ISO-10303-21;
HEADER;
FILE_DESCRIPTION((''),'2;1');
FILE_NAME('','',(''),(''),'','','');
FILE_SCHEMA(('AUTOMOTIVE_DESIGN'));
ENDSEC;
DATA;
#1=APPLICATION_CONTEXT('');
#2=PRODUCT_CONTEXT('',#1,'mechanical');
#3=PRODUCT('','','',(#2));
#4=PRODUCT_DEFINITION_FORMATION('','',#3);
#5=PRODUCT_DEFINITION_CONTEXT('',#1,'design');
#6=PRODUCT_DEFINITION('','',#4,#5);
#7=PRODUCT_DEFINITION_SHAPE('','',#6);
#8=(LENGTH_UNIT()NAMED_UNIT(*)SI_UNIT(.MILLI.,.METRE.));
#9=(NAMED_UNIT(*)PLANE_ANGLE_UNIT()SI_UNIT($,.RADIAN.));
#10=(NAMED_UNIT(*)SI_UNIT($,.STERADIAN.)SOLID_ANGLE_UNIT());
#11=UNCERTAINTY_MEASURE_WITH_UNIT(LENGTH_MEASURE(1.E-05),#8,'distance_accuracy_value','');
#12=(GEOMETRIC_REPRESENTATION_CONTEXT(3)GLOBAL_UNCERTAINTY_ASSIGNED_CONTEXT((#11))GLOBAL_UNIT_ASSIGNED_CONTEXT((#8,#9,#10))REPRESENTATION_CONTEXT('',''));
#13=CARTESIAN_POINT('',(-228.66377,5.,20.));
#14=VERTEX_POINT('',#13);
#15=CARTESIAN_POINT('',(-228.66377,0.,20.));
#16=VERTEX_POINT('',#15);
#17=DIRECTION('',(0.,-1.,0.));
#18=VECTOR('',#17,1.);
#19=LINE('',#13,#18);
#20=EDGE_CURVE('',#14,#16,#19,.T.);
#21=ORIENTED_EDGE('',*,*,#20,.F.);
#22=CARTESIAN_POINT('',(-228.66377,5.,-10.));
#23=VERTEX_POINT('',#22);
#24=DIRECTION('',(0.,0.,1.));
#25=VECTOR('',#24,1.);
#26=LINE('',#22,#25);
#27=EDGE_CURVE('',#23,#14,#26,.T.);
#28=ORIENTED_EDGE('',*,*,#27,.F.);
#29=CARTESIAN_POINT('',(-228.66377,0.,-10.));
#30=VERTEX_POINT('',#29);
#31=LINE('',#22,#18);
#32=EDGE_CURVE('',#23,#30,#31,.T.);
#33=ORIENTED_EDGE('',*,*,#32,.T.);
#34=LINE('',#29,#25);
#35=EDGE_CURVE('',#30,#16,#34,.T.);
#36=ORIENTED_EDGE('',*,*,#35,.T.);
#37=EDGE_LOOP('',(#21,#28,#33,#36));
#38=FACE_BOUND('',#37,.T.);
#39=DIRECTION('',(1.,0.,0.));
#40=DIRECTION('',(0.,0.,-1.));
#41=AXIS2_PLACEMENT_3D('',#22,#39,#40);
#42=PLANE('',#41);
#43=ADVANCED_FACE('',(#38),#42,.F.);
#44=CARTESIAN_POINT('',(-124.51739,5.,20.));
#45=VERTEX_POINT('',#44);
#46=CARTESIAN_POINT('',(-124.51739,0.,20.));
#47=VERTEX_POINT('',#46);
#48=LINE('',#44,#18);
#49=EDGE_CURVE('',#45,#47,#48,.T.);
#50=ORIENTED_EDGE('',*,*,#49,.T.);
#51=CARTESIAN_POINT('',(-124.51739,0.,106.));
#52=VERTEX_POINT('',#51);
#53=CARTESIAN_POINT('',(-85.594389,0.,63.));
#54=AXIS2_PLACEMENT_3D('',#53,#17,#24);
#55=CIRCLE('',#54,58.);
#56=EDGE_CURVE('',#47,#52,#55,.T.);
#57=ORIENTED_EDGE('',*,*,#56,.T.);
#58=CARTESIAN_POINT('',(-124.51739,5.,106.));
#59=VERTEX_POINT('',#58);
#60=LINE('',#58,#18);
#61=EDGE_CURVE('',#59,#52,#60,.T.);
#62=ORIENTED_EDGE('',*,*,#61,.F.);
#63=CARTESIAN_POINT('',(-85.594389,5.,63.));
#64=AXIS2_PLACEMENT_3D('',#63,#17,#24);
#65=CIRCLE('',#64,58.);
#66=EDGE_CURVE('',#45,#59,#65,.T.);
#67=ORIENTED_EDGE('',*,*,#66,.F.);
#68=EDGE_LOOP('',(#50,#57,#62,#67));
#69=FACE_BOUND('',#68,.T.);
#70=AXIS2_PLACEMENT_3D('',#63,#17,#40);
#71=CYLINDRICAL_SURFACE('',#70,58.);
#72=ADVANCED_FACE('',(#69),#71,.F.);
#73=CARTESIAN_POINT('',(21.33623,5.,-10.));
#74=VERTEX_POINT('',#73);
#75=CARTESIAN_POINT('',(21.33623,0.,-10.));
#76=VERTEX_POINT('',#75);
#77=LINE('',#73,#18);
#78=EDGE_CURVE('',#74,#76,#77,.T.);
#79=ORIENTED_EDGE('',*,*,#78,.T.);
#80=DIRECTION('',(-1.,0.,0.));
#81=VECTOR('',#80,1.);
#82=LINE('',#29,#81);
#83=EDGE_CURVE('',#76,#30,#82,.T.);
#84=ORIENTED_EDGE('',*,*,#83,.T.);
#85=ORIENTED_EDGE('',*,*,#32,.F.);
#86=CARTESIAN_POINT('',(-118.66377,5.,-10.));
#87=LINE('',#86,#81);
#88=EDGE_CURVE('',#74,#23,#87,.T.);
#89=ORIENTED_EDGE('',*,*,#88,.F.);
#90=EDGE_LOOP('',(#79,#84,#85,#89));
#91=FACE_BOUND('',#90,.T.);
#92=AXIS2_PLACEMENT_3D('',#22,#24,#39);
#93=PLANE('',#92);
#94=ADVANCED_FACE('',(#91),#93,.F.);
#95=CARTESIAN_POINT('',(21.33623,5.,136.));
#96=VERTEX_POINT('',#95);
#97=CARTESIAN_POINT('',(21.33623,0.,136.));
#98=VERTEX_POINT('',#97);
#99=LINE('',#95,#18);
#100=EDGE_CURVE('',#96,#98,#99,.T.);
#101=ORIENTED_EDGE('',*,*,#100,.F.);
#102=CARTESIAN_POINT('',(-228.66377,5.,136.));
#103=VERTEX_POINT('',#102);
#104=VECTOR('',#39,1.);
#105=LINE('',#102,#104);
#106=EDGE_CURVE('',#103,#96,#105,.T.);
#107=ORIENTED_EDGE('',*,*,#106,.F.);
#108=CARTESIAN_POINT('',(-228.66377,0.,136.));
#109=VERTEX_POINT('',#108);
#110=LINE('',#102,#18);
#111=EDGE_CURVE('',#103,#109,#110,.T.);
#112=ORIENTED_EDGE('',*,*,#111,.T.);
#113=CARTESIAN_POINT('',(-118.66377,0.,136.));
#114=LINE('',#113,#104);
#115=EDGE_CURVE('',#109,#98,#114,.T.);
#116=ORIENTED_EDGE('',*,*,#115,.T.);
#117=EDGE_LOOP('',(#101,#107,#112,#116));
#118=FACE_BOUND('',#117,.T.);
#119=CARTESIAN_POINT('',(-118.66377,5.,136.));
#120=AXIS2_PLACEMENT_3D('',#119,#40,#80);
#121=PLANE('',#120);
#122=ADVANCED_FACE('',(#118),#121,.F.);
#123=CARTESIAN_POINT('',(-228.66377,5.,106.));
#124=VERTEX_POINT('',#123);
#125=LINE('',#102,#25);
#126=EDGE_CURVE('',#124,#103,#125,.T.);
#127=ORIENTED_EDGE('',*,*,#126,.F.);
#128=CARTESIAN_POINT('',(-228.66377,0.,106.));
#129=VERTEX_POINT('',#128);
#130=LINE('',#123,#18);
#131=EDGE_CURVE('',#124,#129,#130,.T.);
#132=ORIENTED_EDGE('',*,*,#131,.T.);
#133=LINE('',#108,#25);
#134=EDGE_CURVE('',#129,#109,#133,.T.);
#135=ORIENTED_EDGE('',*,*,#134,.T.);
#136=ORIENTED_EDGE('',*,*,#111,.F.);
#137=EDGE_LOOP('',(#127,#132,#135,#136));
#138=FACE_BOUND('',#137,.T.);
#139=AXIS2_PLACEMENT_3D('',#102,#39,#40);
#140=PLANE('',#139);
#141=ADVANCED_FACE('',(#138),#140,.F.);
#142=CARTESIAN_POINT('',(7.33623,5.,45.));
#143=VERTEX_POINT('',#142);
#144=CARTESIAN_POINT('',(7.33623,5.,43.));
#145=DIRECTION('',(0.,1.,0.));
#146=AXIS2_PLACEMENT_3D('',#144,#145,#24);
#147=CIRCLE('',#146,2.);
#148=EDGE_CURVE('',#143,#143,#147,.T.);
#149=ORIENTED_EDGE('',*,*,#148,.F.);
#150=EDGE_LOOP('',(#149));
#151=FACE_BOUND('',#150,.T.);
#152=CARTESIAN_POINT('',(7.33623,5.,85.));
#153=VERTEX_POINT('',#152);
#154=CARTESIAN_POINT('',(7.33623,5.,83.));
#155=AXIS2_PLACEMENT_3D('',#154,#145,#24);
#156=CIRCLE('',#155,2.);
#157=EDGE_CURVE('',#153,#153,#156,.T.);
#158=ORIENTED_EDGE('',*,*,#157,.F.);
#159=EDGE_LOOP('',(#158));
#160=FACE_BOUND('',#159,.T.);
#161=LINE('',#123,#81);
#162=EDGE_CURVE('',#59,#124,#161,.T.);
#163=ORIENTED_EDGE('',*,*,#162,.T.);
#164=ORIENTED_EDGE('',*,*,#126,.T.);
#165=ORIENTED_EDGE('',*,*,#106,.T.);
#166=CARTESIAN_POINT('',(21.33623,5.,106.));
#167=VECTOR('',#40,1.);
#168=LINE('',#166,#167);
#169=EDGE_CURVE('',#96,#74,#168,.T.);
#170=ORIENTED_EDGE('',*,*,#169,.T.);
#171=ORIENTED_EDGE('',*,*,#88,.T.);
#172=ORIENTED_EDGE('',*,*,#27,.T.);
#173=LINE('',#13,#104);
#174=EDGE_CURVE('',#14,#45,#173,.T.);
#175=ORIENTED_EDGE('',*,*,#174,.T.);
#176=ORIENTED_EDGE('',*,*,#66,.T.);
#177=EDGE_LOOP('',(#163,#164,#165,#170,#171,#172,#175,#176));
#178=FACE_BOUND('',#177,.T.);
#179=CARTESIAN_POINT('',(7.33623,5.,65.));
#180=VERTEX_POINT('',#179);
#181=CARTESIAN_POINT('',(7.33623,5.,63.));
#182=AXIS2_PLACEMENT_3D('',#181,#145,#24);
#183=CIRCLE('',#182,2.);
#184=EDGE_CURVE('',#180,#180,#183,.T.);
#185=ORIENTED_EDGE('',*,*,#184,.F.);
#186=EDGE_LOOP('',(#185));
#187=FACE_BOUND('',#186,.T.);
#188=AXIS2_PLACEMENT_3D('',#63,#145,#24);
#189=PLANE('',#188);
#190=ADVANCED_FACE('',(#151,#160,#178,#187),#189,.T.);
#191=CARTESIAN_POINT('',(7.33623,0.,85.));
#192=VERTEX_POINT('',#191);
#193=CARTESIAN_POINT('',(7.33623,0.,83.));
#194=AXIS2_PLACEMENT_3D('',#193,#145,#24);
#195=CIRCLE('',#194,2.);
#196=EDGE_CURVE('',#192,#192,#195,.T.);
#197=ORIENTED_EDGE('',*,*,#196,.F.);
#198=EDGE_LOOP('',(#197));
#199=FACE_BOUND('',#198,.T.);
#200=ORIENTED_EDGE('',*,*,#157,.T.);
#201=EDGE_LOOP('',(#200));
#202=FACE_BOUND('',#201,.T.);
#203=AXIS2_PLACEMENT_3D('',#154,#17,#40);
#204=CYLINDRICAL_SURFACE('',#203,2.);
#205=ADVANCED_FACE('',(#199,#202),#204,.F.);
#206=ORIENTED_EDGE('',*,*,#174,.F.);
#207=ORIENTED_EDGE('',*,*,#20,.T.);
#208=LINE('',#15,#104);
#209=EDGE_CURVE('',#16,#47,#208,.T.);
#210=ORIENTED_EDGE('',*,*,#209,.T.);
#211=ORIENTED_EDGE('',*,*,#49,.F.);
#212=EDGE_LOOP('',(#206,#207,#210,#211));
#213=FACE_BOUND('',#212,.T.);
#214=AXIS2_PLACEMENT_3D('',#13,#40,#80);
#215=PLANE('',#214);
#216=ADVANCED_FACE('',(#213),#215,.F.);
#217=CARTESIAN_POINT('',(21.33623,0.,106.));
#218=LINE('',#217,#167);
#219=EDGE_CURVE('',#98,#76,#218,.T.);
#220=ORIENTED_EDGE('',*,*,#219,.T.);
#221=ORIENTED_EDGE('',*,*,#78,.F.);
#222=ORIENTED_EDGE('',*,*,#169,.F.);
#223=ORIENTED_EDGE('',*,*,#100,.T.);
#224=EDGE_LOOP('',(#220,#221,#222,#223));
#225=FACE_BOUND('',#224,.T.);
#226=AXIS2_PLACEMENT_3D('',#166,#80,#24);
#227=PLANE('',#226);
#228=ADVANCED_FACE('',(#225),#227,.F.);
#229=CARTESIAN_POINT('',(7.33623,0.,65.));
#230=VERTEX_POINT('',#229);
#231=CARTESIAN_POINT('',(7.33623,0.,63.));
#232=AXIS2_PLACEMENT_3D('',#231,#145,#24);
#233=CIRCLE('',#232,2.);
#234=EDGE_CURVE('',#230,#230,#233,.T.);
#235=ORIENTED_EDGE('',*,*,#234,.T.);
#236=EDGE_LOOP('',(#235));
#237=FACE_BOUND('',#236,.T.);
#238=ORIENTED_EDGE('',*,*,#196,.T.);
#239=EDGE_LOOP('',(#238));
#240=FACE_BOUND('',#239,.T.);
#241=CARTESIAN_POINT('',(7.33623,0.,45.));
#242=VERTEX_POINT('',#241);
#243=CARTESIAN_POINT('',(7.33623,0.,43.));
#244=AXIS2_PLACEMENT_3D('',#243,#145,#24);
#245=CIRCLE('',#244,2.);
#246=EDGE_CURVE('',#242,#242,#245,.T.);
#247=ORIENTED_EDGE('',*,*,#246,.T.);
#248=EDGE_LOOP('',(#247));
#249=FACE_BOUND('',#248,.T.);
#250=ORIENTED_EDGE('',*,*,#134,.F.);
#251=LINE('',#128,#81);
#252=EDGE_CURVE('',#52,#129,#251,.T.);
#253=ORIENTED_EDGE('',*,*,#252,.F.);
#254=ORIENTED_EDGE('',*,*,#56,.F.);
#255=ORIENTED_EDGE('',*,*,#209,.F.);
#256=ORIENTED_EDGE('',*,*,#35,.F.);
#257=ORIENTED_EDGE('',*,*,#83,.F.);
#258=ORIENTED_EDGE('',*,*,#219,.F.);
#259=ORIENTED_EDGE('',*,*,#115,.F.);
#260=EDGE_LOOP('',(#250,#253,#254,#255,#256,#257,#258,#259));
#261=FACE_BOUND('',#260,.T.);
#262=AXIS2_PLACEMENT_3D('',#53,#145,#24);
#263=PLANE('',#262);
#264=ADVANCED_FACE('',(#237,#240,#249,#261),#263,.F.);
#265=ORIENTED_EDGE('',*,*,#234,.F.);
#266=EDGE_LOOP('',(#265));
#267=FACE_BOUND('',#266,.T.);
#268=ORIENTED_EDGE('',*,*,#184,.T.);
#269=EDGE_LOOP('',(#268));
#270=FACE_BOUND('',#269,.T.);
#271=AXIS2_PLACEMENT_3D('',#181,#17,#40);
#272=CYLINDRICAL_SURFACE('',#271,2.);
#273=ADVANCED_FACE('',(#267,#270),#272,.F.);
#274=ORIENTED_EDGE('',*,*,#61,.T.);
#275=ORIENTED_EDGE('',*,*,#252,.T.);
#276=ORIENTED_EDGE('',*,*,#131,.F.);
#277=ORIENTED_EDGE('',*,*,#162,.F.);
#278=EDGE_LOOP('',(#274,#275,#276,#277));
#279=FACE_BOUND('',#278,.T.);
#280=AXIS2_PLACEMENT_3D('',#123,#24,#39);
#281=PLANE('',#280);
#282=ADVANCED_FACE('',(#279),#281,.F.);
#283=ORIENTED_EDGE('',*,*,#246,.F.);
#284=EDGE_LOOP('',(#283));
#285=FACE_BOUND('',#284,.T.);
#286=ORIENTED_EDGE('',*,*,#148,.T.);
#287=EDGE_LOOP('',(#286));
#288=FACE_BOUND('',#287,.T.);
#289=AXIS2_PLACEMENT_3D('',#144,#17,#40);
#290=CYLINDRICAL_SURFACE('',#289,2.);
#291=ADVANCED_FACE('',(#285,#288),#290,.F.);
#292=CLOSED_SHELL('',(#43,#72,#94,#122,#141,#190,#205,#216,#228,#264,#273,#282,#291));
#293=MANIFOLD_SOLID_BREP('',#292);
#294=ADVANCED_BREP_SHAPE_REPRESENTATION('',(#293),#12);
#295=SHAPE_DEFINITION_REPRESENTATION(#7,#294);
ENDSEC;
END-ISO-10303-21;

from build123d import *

# Parameters (mm, degrees)
SKETCH1_R           = 2
BOSS_EXTRUDE1_DEPTH = 5


with BuildPart() as part:
    # Sketch1 → Boss-Extrude1 (new body)
    with BuildSketch(Plane(origin=(0, 0, 0), x_dir=(1, 0, 0), z_dir=(0, 1, 0))):
        with BuildLine():
            Line((-228.663769869, 10), (-118.663769869, 10))
            Line((-118.663769869, 10), (21.336230131, 10))
            Line((21.336230131, 10), (21.336230131, -106))
            Line((21.336230131, -106), (21.336230131, -136))
            Line((21.336230131, -136), (-118.663769869, -136))
            Line((-118.663769869, -136), (-228.663769869, -136))
            Line((-228.663769869, -136), (-228.663769869, -106))
            Line((-228.663769869, -106), (-124.517389937, -106))
            ThreePointArc((-124.517389937, -106), (-27.594389025, -63), (-124.517389937, -20))
            Line((-124.517389937, -20), (-228.663769869, -20))
            Line((-228.663769869, -20), (-228.663769869, 10))
        make_face()
        with Locations(Location((7.336230131, -63, 0), (0, 0, 270))):
            Circle(SKETCH1_R, mode=Mode.SUBTRACT)
        with Locations(Location((7.336230131, -43, 0), (0, 0, 270))):
            Circle(SKETCH1_R, mode=Mode.SUBTRACT)
        with Locations(Location((7.336230131, -83, 0), (0, 0, 270))):
            Circle(SKETCH1_R, mode=Mode.SUBTRACT)
    extrude(amount=BOSS_EXTRUDE1_DEPTH)


solid = part.part
